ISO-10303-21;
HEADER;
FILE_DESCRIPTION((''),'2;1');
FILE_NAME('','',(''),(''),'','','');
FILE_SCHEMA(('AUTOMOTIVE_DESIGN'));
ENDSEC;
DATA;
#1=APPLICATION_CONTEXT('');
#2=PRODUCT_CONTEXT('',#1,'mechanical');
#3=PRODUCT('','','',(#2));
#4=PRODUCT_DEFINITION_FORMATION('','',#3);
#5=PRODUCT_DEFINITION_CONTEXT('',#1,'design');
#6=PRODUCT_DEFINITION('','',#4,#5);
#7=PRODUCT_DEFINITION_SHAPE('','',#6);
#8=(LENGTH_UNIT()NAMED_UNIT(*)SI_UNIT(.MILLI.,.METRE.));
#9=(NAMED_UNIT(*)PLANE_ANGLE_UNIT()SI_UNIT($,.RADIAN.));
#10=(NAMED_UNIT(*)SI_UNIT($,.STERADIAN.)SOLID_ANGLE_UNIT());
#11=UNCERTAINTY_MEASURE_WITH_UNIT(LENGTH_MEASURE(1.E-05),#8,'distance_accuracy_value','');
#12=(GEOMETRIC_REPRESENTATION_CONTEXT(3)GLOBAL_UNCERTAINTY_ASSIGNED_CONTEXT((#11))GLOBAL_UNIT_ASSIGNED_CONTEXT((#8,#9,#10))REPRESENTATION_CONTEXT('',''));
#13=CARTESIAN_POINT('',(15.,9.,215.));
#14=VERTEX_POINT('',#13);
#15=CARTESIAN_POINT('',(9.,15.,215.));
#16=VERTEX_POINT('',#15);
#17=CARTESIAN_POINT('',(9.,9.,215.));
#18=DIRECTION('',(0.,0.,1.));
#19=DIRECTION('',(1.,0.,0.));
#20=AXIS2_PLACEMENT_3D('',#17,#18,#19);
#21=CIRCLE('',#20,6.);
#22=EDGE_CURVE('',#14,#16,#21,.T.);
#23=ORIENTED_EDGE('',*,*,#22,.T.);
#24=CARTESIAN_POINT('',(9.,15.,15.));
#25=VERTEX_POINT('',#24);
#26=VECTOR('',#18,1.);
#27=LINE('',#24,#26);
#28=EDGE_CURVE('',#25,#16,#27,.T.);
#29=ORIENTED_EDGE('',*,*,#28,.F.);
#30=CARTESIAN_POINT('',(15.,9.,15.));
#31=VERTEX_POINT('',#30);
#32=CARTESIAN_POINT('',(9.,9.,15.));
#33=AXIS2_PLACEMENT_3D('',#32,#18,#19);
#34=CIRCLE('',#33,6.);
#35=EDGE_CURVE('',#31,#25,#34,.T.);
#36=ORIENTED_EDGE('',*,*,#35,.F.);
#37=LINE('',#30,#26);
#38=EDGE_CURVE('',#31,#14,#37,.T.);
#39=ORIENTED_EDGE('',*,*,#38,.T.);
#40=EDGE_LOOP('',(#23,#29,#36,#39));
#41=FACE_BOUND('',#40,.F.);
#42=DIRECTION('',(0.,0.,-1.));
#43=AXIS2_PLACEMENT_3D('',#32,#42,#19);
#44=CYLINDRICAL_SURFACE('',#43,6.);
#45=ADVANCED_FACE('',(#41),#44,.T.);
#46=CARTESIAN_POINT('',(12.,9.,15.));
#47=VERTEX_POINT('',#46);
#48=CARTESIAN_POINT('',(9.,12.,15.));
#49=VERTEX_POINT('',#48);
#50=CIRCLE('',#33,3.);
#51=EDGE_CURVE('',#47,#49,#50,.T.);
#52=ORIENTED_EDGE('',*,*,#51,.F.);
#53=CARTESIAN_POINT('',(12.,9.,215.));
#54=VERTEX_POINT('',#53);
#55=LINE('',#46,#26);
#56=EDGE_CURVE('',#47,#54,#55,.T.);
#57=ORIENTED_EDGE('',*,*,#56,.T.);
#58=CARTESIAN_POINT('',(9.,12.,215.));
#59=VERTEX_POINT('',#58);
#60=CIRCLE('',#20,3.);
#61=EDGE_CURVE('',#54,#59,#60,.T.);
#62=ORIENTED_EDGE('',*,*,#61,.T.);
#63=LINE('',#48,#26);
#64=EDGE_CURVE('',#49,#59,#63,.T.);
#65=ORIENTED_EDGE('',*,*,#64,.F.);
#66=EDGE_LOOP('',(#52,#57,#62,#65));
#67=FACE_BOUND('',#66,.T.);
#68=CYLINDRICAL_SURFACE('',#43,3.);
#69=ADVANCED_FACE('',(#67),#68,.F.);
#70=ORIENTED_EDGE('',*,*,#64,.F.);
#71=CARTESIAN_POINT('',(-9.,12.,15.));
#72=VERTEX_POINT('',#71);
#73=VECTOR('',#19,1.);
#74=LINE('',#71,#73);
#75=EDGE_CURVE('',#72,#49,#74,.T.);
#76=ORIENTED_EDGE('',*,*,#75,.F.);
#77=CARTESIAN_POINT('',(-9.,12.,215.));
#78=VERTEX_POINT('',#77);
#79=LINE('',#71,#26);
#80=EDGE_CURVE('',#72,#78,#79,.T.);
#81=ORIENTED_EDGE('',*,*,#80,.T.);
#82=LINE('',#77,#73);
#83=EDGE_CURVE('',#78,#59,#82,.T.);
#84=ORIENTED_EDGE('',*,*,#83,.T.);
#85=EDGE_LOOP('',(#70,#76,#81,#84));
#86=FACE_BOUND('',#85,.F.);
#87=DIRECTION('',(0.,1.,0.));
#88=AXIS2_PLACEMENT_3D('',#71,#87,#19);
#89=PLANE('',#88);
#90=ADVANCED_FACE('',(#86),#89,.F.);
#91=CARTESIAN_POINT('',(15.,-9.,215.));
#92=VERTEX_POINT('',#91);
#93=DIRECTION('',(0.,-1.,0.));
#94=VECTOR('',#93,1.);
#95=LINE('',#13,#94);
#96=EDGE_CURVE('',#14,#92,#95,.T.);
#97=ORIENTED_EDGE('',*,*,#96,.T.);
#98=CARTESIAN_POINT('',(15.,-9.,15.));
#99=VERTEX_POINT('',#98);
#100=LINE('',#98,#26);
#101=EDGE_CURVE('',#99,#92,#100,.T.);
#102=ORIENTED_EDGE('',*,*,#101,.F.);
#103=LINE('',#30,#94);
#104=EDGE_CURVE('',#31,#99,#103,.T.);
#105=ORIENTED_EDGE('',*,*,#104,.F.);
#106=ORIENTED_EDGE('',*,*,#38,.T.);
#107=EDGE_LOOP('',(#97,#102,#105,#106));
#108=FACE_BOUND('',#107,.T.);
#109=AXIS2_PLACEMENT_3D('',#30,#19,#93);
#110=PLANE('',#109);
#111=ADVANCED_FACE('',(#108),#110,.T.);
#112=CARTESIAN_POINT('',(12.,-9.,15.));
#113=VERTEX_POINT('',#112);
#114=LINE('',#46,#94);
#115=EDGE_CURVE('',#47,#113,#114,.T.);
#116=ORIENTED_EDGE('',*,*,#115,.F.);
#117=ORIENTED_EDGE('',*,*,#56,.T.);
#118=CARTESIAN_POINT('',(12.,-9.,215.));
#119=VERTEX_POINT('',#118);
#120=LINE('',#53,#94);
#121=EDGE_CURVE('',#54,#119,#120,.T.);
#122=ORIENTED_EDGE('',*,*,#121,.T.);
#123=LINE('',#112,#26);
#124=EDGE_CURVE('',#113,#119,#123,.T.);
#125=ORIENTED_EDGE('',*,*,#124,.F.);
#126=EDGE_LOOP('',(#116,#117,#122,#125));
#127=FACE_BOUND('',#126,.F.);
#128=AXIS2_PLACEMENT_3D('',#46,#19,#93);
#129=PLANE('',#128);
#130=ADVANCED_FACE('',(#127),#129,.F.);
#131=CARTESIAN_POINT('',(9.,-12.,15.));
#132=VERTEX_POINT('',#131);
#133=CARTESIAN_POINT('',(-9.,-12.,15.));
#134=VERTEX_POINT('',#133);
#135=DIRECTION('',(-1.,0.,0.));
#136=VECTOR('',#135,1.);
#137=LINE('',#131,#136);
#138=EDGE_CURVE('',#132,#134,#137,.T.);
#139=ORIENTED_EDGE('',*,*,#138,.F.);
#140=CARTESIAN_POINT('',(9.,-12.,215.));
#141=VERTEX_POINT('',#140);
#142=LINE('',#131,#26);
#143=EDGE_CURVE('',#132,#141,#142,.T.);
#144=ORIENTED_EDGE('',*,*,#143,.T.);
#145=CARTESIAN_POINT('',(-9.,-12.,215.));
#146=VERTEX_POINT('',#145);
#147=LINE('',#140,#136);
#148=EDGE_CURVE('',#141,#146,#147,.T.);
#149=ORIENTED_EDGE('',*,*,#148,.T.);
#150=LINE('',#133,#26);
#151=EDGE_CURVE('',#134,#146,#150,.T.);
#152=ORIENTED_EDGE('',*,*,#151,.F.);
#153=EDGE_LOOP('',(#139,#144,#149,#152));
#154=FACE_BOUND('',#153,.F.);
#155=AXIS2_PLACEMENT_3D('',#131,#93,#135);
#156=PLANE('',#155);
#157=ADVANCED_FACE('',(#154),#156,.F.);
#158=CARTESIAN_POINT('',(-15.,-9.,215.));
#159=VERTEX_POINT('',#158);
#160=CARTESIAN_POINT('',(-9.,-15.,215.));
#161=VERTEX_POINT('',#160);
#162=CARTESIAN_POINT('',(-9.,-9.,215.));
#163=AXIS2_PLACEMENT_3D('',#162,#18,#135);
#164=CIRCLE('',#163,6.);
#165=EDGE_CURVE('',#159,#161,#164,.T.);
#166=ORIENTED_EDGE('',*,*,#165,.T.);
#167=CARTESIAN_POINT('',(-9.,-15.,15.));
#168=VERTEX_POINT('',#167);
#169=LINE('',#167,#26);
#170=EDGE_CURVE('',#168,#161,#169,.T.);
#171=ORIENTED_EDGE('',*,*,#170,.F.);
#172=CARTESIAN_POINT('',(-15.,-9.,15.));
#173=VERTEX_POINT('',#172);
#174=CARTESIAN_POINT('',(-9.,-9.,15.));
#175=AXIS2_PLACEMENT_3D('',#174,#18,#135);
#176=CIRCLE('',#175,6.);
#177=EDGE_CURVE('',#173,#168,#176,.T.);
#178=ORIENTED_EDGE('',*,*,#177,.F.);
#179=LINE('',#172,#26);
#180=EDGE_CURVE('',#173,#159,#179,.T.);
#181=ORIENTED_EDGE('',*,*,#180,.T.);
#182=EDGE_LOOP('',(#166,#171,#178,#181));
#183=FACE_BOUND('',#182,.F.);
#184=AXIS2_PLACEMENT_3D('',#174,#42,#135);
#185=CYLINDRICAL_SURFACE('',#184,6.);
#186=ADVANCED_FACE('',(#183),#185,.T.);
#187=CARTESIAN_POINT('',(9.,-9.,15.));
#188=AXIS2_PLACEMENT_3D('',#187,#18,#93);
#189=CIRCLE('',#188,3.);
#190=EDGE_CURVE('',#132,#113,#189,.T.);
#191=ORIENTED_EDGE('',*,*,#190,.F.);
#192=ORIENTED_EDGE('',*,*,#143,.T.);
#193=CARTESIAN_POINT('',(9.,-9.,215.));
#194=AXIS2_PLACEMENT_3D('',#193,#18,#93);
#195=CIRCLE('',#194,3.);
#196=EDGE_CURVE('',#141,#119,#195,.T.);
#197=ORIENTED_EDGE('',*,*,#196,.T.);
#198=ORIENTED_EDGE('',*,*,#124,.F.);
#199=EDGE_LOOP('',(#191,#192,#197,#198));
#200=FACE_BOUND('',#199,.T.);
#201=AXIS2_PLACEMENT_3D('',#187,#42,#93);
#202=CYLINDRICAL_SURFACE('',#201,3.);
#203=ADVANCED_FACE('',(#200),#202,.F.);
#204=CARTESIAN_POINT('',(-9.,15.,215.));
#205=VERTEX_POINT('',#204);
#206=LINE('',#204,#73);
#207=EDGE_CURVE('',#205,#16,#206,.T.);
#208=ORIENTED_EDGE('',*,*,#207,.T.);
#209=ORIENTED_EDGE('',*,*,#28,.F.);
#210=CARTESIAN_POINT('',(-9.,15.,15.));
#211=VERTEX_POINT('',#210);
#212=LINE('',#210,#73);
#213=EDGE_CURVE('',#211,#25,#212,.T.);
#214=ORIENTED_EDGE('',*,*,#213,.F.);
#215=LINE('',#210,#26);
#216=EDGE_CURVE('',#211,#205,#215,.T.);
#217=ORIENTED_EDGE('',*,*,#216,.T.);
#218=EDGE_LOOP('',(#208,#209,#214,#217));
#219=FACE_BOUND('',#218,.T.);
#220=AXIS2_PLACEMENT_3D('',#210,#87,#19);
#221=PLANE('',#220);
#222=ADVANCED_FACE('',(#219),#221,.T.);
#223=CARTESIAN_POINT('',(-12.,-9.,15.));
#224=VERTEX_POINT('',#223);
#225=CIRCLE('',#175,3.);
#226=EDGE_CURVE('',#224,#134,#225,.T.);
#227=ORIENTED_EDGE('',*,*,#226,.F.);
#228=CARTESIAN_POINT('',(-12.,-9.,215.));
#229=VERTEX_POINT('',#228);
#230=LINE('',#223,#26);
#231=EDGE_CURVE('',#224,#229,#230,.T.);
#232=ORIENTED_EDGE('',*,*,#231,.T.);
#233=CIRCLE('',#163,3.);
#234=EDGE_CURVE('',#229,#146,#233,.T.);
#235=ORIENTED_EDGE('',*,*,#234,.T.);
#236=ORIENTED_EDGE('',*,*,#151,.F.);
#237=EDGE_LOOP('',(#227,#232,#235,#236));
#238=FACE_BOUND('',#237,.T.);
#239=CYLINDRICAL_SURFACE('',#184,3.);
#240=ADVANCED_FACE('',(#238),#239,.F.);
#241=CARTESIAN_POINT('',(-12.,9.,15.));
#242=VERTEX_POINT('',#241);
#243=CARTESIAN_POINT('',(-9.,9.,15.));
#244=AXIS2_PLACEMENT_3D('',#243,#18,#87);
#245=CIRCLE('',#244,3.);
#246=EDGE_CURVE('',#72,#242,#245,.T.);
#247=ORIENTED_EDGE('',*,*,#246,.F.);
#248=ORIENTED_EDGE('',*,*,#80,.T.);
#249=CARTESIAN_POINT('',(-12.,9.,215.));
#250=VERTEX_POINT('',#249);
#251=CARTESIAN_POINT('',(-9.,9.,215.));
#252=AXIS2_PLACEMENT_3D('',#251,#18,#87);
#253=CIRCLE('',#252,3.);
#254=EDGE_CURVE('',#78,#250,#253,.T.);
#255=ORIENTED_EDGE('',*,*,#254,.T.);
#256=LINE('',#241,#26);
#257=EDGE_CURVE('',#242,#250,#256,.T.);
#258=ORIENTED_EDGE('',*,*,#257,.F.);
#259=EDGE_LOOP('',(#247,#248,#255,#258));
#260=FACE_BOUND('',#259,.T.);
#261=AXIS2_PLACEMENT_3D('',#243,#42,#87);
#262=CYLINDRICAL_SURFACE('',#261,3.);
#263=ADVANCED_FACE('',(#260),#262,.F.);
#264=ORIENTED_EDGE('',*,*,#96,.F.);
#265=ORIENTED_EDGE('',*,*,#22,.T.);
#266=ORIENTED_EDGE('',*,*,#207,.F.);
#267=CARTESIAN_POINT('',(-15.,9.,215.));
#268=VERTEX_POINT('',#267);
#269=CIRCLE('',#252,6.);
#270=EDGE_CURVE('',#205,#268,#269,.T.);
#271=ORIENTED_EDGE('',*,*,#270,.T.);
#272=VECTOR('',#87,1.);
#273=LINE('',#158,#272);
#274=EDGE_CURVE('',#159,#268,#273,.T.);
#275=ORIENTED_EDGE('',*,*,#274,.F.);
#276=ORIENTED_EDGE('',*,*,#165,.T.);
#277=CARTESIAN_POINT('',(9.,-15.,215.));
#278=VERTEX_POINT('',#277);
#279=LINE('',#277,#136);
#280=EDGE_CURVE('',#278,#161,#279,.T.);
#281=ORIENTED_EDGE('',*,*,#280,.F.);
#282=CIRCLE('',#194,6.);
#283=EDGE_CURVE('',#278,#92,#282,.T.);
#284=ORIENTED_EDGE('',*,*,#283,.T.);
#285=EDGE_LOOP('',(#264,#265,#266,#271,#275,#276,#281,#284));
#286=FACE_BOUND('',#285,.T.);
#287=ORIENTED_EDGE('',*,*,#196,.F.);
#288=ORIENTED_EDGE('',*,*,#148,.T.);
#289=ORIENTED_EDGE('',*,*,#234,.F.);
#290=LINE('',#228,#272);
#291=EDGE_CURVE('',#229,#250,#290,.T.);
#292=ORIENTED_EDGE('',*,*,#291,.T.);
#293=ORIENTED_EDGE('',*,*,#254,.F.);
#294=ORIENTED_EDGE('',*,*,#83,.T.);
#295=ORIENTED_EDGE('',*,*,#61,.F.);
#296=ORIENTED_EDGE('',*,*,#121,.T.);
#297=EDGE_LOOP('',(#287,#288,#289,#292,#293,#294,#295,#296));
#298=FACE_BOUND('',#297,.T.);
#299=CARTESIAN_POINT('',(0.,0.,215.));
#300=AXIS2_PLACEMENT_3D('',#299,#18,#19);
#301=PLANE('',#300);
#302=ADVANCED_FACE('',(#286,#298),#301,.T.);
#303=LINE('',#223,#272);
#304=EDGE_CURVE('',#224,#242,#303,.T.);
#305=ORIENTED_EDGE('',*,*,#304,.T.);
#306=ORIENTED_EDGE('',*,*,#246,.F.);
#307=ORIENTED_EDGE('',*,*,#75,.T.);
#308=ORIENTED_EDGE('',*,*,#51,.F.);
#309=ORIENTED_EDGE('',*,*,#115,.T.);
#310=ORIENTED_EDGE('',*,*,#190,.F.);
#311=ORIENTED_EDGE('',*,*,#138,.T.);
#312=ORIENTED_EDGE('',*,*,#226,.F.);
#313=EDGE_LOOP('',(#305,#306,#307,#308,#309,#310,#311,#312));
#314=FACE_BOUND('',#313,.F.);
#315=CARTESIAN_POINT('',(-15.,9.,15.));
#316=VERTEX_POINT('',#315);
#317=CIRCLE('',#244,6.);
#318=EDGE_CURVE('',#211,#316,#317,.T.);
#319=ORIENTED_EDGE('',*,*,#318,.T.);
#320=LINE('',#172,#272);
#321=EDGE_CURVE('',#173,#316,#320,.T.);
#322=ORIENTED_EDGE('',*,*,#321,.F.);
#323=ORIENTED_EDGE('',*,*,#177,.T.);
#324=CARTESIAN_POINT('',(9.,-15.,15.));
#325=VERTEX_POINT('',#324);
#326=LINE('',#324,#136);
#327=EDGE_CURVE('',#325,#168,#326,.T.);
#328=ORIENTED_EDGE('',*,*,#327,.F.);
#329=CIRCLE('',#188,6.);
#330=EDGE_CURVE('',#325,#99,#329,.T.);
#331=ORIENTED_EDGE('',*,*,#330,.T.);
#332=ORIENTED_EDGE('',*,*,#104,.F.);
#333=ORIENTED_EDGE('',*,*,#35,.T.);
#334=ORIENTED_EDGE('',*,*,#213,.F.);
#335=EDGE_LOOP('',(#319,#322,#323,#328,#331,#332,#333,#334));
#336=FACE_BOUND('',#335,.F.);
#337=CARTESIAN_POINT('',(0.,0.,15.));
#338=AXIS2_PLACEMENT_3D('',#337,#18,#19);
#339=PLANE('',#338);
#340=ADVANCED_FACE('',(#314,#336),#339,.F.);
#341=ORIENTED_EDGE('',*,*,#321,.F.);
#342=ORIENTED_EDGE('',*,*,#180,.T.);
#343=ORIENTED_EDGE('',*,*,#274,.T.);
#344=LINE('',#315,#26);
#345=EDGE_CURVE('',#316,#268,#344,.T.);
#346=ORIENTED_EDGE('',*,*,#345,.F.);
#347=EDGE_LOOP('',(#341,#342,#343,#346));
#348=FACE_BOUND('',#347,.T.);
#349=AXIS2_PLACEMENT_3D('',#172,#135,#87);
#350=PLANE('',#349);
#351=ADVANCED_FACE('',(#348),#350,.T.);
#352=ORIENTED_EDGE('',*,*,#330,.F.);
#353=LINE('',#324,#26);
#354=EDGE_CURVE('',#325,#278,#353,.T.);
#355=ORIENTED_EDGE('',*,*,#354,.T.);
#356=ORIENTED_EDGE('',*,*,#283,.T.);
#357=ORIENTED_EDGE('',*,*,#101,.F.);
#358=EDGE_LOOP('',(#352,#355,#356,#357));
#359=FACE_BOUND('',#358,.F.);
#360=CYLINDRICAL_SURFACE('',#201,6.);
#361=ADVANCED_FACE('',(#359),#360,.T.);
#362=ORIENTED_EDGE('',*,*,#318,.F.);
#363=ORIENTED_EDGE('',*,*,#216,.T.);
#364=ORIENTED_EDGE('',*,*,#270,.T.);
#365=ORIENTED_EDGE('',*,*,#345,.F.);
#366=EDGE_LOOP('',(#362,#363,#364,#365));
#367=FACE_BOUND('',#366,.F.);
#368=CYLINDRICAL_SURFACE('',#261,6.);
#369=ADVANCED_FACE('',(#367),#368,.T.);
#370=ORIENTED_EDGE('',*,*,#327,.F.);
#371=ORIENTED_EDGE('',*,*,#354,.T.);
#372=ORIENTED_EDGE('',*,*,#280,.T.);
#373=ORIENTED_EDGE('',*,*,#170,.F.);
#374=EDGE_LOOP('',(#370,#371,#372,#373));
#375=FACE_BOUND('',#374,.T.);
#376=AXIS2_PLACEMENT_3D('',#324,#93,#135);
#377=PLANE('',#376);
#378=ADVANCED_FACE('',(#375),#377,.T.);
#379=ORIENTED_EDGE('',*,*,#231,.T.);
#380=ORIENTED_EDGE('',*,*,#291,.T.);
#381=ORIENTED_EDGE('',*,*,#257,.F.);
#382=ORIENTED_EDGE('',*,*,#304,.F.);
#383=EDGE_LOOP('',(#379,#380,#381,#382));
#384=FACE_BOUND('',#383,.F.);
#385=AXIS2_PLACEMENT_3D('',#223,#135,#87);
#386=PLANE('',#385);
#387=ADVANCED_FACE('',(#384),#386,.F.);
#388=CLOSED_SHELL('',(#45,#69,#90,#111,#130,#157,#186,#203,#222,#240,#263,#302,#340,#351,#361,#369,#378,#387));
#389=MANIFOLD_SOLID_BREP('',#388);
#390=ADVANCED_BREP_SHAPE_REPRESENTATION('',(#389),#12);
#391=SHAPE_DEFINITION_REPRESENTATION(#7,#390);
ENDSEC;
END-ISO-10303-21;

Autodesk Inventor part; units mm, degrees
ref_plane "Start Plane" through (0, 0, 15) normal (0, 0, 1) x (1, 0, 0)
ref_plane "End Plane" through (0, 0, 215) normal (0, 0, 1) x (1, 0, 0)
sketch "Sketch" plane through (0, 0, 0) normal (0, 0, 1) x (1, 0, 0)
  line L0 (-15, -9) -> (-15, 9)
  line L1 (-9, 15) -> (9, 15)
  line L2 (15, 9) -> (15, -9)
  line L3 (9, -15) -> (-9, -15)
  arc A0 (-15, -9) -> (-9, -15) centre (-9, -9) ccw
  arc A1 (-9, 15) -> (-15, 9) centre (-9, 9) ccw
  arc A2 (15, 9) -> (9, 15) centre (9, 9) ccw
  arc A3 (9, -15) -> (15, -9) centre (9, -9) ccw
  arc A4 (-9, 12) -> (-12, 9) centre (-9, 9) ccw
  line L4 (-9, 12) -> (9, 12)
  arc A5 (12, 9) -> (9, 12) centre (9, 9) ccw
  line L5 (12, 9) -> (12, -9)
  arc A6 (9, -12) -> (12, -9) centre (9, -9) ccw
  line L6 (9, -12) -> (-9, -12)
  arc A7 (-12, -9) -> (-9, -12) centre (-9, -9) ccw
  line L7 (-12, -9) -> (-12, 9)
  line L8 (0, 22.7397) -> (0, -22.7397) construction
  line L9 (-22.7397, 0) -> (22.7397, 0) construction
  dimension "d7" = 6
  dimension "d10" = 30
  dimension "d11" = 30
  dimension "d12" = 3
  dimension "d15" = 15
  dimension "d16" = 15
extrude "Body" add sketch "Sketch" along normal up to surface (200 mm away) from surface at 15
sketch "Sketch3" plane through (0, 0, 0) normal (0, 0, 1) x (1, 0, 0)
  line L0 (0, 0) -> (10, 0)
ref_plane "Work Plane3" through (0, 0, 0) normal (0, -1, 0) x (1, 0, 0)
ref_plane "Work Plane4" through (9, -200, 15) normal (0, 0, -1) x (-1, 0, 0)
split "Split1" plane through (9, -200, 15) removes the side toward (0, 0, -1)
ref_plane "Work Plane5" through (9, 1522, 215) normal (0, 0, 1) x (1, 0, 0)
split "Split2" plane through (9, 1522, 215) removes the side toward (0, 0, 1)
sketch "Sketch4" plane through (0, 0, 0) normal (0, -1, 0) x (1, 0, 0)
  line L0 (-2, 15) -> (12, 15) projected
  line L1 (-2, 215) -> (12, 215) projected
  dimension "d18" = 200
equation "\"d7\" = G_IR"
equation "\"d10\" = G_H"
equation "\"d11\" = G_W"
equation "\"d12\" = G_T"
equation "\"d15\" = 0.5 * d10"
equation "\"d16\" = 0.5 * d11"
equation "\"d3\" = G_L"
equation "\"G_W\" = 30"
equation "\"G_H\" = 30"
equation "\"G_T\" = 3"
equation "\"G_IR\" = 6"
equation "\"G_L\" = d18"
equation "\"G_OFFSET_START\" = -15"
equation "\"G_OFFSET_END\" = -15"
equation "\"d13\" = -G_OFFSET_START"
equation "\"d14\" = G_OFFSET_END + B_L"
equation "\"B_L\" = 230"
properties part number "DIN EN 10219-2 - 30 x 30 x 3  - 200" material "Steel, Mild"
